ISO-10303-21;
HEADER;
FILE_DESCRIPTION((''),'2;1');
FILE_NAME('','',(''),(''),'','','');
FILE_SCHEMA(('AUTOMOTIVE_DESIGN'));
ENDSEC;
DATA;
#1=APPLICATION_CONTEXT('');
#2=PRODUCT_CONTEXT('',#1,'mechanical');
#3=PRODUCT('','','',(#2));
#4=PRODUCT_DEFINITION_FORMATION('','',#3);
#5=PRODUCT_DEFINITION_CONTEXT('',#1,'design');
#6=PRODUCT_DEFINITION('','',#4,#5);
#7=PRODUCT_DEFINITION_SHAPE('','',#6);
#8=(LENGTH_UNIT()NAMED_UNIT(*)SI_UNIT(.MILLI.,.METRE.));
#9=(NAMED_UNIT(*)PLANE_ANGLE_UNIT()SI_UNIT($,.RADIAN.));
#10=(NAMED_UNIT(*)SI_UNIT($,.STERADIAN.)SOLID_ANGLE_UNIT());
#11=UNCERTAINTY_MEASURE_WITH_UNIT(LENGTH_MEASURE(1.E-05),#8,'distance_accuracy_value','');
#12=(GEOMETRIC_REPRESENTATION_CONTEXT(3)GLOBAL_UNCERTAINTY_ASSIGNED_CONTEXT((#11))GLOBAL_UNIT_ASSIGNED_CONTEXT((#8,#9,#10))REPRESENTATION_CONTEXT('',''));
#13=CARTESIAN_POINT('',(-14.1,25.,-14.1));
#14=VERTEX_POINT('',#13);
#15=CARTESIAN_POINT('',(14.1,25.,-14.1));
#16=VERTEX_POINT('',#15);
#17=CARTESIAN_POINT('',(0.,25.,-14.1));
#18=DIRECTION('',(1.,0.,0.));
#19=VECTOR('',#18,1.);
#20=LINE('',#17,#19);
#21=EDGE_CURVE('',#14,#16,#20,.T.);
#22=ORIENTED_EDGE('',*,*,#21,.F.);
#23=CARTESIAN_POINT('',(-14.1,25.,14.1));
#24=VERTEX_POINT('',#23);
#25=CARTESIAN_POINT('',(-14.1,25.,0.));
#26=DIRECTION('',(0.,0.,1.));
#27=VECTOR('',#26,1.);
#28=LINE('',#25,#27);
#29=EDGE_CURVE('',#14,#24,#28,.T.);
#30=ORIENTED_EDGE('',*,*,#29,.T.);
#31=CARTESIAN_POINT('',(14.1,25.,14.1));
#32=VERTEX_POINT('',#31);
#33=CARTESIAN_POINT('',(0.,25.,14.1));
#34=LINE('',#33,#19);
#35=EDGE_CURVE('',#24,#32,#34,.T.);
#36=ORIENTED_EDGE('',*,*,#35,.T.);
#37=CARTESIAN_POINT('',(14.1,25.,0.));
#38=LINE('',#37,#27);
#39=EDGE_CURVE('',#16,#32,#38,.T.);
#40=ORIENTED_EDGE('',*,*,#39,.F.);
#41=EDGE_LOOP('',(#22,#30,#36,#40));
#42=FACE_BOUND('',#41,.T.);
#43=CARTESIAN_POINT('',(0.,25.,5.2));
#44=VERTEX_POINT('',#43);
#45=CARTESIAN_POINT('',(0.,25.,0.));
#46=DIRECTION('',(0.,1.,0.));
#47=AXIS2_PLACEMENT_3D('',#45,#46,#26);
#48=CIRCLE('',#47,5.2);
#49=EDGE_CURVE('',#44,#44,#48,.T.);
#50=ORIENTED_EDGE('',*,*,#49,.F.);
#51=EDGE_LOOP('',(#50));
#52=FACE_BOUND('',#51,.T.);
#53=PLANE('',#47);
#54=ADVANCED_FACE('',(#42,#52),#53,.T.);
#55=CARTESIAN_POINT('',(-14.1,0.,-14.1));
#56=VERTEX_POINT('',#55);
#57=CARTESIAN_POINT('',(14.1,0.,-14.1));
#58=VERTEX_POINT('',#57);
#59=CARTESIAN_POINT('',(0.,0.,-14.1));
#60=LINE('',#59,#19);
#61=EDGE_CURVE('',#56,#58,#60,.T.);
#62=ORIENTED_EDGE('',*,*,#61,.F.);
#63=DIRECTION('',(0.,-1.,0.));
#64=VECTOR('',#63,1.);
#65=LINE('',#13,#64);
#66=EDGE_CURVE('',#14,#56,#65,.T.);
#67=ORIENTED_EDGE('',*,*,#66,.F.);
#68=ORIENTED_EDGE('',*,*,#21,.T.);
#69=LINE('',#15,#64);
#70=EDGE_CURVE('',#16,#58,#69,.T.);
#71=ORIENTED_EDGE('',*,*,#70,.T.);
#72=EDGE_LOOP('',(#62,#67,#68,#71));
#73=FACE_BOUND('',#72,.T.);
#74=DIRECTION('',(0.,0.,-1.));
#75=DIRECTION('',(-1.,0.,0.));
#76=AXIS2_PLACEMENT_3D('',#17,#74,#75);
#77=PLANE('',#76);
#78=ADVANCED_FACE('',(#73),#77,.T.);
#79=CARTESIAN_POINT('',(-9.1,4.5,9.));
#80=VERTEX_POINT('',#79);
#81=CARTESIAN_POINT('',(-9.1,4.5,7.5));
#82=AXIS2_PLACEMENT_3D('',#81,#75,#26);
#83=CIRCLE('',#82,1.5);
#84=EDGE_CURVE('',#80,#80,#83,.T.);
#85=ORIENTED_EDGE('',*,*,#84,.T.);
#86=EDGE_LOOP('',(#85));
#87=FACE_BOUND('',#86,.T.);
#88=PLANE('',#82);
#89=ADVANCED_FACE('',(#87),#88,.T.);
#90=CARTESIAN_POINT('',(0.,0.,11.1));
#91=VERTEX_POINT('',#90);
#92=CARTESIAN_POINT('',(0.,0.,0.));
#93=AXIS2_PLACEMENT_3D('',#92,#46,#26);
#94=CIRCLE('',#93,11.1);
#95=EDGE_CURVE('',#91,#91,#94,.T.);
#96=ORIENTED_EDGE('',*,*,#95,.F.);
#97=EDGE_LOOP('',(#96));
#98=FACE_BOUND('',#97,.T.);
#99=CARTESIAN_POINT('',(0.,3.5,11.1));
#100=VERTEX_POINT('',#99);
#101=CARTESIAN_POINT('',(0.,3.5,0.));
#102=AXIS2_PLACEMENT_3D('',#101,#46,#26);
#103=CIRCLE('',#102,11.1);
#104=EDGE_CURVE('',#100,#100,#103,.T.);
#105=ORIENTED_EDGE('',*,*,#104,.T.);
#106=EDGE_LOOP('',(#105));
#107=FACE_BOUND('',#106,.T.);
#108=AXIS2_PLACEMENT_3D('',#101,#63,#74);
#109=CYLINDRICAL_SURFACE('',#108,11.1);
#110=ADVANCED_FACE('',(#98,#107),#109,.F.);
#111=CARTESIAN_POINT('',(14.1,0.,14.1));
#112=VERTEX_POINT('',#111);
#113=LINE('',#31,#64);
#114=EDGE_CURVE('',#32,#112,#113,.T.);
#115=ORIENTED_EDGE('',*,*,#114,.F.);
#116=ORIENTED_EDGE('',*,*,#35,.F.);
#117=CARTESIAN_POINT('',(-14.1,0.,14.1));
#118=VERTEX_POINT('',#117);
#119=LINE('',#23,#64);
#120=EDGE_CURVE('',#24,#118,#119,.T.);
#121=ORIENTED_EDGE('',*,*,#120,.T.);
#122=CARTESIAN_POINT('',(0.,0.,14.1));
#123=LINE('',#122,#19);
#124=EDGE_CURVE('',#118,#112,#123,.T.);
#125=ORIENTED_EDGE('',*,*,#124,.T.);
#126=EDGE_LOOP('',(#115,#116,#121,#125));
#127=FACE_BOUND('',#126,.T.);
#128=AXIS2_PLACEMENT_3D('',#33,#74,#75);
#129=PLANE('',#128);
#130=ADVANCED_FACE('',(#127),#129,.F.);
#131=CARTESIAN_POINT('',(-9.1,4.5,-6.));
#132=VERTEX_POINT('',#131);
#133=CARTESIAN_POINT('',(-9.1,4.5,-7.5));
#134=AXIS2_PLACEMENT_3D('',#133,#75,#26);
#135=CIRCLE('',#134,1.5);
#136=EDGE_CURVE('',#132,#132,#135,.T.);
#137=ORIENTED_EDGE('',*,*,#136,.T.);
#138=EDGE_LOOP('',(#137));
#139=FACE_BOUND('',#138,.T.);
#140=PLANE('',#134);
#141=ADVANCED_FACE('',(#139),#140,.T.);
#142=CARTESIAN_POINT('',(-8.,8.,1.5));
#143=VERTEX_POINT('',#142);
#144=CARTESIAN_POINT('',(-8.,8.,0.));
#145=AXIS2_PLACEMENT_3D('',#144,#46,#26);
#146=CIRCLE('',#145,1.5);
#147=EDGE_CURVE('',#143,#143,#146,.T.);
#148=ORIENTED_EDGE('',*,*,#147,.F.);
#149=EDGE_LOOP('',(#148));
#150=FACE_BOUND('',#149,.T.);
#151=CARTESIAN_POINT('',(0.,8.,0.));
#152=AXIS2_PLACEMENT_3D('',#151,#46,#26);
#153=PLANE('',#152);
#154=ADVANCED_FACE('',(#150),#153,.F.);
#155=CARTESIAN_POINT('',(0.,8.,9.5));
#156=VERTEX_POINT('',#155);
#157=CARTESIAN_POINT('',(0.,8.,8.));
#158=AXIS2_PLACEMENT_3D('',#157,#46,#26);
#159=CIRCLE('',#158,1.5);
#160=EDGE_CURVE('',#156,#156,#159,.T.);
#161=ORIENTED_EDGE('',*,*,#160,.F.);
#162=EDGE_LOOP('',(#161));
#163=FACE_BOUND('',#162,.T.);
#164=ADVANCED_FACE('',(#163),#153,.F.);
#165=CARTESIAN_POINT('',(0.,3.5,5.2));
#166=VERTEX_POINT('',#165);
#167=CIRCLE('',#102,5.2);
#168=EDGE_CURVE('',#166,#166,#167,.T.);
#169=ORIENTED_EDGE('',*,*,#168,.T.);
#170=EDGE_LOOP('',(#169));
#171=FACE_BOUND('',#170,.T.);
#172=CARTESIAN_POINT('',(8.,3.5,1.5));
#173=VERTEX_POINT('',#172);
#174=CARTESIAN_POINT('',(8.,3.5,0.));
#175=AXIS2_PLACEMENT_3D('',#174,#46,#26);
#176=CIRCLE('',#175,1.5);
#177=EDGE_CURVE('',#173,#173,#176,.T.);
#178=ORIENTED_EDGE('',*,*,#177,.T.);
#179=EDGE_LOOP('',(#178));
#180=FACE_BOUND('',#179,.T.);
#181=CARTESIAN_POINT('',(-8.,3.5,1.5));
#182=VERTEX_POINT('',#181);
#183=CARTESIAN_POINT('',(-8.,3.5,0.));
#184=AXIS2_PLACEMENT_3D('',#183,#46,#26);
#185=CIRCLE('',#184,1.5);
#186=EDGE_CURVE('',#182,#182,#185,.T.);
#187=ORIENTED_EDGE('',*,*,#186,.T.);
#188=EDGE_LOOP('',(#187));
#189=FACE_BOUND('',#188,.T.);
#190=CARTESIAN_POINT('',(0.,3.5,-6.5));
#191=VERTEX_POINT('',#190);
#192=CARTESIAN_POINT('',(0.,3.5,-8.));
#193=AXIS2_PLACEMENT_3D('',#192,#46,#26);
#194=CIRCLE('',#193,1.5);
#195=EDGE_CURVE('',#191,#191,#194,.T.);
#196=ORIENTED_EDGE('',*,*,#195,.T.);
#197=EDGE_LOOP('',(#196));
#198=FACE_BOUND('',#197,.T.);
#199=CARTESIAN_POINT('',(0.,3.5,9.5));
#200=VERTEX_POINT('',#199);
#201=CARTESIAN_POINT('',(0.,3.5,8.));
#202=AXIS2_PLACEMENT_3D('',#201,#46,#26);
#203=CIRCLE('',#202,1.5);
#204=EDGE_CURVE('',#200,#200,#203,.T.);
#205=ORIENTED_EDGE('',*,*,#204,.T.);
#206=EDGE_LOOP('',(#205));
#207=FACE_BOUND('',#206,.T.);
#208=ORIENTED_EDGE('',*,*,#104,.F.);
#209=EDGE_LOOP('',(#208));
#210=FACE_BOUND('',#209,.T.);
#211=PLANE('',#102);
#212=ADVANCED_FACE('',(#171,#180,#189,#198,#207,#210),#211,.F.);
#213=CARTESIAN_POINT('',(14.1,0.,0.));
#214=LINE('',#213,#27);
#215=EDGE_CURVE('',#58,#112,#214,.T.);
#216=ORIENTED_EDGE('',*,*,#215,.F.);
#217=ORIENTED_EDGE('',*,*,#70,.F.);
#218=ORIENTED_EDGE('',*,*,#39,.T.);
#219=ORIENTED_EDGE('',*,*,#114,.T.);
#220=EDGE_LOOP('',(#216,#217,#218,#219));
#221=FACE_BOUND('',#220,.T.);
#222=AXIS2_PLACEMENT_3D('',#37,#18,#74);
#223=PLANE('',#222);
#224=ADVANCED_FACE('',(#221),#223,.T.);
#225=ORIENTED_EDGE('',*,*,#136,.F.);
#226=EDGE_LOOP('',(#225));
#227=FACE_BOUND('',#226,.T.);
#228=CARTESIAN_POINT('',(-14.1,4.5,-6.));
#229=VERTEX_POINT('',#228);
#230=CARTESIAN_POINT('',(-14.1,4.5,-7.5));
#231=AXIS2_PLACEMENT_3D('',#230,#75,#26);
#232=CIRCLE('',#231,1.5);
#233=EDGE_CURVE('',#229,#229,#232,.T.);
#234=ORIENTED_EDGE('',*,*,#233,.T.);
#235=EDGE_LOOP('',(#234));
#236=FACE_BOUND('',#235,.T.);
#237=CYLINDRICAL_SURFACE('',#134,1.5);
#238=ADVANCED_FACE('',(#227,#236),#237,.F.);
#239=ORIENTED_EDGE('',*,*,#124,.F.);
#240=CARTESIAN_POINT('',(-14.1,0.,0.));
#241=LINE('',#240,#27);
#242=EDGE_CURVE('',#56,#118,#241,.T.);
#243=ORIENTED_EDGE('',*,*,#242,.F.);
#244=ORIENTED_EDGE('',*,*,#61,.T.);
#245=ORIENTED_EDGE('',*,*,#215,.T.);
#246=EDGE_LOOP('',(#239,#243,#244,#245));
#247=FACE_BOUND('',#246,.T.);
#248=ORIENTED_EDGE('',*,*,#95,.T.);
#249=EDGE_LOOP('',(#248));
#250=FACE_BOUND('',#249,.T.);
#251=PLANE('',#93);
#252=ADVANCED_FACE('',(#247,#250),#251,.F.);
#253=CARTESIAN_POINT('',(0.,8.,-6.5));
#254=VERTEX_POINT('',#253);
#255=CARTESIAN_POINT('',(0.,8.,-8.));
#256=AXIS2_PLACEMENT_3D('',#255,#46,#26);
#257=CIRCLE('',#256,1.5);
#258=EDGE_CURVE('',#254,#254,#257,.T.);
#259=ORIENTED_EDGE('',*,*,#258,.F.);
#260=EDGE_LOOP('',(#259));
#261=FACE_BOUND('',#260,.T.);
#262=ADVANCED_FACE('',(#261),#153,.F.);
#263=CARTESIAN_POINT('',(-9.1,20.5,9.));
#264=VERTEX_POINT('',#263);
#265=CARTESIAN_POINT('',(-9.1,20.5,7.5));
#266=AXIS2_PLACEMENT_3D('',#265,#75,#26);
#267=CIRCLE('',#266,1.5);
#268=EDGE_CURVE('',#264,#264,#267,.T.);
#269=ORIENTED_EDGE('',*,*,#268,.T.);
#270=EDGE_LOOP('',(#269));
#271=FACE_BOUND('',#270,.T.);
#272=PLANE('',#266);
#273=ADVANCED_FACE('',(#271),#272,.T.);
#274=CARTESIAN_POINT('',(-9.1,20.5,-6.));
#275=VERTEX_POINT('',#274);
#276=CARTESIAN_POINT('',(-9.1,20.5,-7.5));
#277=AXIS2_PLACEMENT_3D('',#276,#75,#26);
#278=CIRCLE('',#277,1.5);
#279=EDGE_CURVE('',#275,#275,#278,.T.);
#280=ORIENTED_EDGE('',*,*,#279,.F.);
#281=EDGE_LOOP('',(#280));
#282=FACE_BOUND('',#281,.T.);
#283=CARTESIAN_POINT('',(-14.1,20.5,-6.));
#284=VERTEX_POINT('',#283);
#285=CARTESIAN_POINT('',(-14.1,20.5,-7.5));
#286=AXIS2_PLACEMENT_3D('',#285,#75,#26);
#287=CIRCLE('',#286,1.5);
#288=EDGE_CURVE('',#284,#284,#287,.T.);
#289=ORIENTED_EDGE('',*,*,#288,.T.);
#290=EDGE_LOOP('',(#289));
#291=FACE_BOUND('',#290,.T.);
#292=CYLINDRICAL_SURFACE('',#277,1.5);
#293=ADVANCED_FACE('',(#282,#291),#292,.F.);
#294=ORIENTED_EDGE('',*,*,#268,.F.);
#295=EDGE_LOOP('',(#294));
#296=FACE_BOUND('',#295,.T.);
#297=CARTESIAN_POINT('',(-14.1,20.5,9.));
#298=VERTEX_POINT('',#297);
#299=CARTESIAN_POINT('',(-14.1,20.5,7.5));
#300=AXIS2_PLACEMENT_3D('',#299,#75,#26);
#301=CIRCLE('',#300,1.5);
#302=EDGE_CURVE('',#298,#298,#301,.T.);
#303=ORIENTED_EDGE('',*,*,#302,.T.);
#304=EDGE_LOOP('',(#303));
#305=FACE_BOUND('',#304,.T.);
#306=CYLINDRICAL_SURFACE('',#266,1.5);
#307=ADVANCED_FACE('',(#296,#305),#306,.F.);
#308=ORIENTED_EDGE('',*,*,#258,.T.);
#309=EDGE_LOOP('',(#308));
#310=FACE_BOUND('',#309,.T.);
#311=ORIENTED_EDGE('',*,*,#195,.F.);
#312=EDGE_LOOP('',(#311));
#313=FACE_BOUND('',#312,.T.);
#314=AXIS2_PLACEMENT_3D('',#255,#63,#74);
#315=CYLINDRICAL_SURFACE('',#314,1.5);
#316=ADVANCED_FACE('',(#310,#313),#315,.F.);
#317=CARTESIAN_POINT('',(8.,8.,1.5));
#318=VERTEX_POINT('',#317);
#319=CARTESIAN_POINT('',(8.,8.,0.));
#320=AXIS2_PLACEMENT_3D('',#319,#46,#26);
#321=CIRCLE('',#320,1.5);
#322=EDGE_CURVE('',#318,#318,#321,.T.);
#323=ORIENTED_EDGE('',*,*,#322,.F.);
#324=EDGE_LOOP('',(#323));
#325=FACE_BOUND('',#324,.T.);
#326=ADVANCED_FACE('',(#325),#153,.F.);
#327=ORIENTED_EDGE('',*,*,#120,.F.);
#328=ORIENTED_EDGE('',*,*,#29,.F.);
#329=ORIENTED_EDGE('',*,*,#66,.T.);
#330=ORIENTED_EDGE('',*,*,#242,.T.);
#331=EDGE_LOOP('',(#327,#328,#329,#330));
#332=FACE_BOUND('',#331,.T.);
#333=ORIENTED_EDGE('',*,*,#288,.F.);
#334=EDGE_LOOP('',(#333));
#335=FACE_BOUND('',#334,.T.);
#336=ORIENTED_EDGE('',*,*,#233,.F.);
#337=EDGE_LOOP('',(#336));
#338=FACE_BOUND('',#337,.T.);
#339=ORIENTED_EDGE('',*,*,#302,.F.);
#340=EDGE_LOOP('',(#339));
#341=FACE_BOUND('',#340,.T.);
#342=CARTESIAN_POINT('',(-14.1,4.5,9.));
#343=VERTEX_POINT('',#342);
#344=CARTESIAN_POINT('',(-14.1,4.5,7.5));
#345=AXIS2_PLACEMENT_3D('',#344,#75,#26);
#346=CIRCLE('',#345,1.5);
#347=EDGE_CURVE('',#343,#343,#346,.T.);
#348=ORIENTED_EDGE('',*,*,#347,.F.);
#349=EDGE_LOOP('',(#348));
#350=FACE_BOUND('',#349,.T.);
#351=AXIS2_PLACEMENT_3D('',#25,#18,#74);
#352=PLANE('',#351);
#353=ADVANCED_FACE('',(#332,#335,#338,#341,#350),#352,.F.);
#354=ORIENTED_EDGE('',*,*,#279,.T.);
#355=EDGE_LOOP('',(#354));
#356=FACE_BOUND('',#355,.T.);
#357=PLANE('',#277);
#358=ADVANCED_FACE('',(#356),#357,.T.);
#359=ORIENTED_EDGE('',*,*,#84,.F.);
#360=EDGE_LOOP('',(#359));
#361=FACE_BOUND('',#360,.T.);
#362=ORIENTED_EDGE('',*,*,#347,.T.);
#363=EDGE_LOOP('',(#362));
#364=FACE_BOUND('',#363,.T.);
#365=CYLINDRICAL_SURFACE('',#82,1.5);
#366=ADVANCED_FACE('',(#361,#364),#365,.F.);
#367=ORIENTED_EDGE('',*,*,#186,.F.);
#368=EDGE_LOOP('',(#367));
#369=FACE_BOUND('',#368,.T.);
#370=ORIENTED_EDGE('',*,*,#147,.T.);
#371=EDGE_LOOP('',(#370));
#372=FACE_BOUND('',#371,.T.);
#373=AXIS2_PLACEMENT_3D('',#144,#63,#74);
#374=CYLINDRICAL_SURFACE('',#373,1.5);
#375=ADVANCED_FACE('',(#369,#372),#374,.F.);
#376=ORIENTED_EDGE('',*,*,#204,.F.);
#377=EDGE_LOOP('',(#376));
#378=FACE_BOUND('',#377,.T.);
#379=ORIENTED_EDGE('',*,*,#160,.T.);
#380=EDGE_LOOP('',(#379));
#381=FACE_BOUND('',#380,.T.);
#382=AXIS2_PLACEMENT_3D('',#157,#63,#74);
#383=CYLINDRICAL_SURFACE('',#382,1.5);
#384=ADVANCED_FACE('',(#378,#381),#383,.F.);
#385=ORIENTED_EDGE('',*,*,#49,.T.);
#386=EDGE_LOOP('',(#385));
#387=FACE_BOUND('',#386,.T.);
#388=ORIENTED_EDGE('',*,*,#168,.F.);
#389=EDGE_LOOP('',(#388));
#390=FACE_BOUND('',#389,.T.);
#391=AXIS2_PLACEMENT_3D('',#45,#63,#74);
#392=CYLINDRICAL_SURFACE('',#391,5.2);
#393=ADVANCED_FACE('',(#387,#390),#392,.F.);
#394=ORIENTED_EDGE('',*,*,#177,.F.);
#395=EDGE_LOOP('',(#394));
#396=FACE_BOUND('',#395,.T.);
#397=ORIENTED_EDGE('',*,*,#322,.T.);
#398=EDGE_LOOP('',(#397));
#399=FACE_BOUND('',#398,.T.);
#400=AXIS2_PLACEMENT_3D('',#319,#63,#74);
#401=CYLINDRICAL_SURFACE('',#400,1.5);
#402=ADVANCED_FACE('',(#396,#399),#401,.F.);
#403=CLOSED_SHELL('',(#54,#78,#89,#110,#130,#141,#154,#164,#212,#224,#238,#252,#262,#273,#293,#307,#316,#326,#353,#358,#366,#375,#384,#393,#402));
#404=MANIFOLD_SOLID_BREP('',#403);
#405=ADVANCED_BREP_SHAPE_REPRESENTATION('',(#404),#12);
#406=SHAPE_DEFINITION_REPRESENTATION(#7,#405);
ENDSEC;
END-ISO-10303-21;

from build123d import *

# Parameters (mm, degrees)
SKETCH1_W           = 28.2
SKETCH1_H           = 28.2
BOSS_EXTRUDE1_DEPTH = 25
SKETCH1_4_R         = 5.2
CUT_EXTRUDE1_DEPTH  = 25
SKETCH1_5_R         = 1.5
CUT_EXTRUDE2_DEPTH  = 8
SKETCH1_6_R         = 11.1
SKETCH1_6_R_2       = 1.5
SKETCH1_6_R_3       = 5.2
CUT_EXTRUDE3_DEPTH  = 3.5
SKETCH2_R           = 1.5
CUT_EXTRUDE4_DEPTH  = 5


with BuildPart() as part:
    # Sketch1 → Boss-Extrude1 (new body)
    with BuildSketch(Plane(origin=(0, 0, 0), x_dir=(1, 0, 0), z_dir=(0, 1, 0))):
        Rectangle(SKETCH1_W, SKETCH1_H)
    extrude(amount=BOSS_EXTRUDE1_DEPTH)

    # Sketch1<4> → Cut-Extrude1 (cut)
    with BuildSketch(Plane(origin=(0, 0, 0), x_dir=(1, 0, 0), z_dir=(0, 1, 0))):
        Circle(SKETCH1_4_R)
    extrude(amount=CUT_EXTRUDE1_DEPTH, mode=Mode.SUBTRACT)

    # Sketch1<5> → Cut-Extrude2 (cut)
    with BuildSketch(Plane(origin=(0, 0, 0), x_dir=(1, 0, 0), z_dir=(0, 1, 0))):
        with Locations((8, 0)):
            Circle(SKETCH1_5_R)
        with Locations((0, -8)):
            Circle(SKETCH1_5_R)
        with Locations((-8, 0)):
            Circle(SKETCH1_5_R)
        with Locations((0, 8)):
            Circle(SKETCH1_5_R)
    extrude(amount=CUT_EXTRUDE2_DEPTH, mode=Mode.SUBTRACT)

    # Sketch1<6> → Cut-Extrude3 (cut)
    with BuildSketch(Plane(origin=(0, 0, 0), x_dir=(1, 0, 0), z_dir=(0, 1, 0))):
        Circle(SKETCH1_6_R)
        with Locations((0, -8)):
            Circle(SKETCH1_6_R_2, mode=Mode.SUBTRACT)
        Circle(SKETCH1_6_R_3, mode=Mode.SUBTRACT)
        with Locations((8, 0)):
            Circle(SKETCH1_6_R_2, mode=Mode.SUBTRACT)
        with Locations((-8, 0)):
            Circle(SKETCH1_6_R_2, mode=Mode.SUBTRACT)
        with Locations((0, 8)):
            Circle(SKETCH1_6_R_2, mode=Mode.SUBTRACT)
    extrude(amount=CUT_EXTRUDE3_DEPTH, mode=Mode.SUBTRACT)

    # Sketch2 → Cut-Extrude4 (cut)
    with BuildSketch(Plane.ZY.offset(14.1)):
        with Locations((-7.5, 20.5)):
            Circle(SKETCH2_R)
        with Locations((7.5, 20.5)):
            Circle(SKETCH2_R)
        with Locations((7.5, 4.5)):
            Circle(SKETCH2_R)
        with Locations((-7.5, 4.5)):
            Circle(SKETCH2_R)
    extrude(amount=-CUT_EXTRUDE4_DEPTH, mode=Mode.SUBTRACT)


solid = part.part
